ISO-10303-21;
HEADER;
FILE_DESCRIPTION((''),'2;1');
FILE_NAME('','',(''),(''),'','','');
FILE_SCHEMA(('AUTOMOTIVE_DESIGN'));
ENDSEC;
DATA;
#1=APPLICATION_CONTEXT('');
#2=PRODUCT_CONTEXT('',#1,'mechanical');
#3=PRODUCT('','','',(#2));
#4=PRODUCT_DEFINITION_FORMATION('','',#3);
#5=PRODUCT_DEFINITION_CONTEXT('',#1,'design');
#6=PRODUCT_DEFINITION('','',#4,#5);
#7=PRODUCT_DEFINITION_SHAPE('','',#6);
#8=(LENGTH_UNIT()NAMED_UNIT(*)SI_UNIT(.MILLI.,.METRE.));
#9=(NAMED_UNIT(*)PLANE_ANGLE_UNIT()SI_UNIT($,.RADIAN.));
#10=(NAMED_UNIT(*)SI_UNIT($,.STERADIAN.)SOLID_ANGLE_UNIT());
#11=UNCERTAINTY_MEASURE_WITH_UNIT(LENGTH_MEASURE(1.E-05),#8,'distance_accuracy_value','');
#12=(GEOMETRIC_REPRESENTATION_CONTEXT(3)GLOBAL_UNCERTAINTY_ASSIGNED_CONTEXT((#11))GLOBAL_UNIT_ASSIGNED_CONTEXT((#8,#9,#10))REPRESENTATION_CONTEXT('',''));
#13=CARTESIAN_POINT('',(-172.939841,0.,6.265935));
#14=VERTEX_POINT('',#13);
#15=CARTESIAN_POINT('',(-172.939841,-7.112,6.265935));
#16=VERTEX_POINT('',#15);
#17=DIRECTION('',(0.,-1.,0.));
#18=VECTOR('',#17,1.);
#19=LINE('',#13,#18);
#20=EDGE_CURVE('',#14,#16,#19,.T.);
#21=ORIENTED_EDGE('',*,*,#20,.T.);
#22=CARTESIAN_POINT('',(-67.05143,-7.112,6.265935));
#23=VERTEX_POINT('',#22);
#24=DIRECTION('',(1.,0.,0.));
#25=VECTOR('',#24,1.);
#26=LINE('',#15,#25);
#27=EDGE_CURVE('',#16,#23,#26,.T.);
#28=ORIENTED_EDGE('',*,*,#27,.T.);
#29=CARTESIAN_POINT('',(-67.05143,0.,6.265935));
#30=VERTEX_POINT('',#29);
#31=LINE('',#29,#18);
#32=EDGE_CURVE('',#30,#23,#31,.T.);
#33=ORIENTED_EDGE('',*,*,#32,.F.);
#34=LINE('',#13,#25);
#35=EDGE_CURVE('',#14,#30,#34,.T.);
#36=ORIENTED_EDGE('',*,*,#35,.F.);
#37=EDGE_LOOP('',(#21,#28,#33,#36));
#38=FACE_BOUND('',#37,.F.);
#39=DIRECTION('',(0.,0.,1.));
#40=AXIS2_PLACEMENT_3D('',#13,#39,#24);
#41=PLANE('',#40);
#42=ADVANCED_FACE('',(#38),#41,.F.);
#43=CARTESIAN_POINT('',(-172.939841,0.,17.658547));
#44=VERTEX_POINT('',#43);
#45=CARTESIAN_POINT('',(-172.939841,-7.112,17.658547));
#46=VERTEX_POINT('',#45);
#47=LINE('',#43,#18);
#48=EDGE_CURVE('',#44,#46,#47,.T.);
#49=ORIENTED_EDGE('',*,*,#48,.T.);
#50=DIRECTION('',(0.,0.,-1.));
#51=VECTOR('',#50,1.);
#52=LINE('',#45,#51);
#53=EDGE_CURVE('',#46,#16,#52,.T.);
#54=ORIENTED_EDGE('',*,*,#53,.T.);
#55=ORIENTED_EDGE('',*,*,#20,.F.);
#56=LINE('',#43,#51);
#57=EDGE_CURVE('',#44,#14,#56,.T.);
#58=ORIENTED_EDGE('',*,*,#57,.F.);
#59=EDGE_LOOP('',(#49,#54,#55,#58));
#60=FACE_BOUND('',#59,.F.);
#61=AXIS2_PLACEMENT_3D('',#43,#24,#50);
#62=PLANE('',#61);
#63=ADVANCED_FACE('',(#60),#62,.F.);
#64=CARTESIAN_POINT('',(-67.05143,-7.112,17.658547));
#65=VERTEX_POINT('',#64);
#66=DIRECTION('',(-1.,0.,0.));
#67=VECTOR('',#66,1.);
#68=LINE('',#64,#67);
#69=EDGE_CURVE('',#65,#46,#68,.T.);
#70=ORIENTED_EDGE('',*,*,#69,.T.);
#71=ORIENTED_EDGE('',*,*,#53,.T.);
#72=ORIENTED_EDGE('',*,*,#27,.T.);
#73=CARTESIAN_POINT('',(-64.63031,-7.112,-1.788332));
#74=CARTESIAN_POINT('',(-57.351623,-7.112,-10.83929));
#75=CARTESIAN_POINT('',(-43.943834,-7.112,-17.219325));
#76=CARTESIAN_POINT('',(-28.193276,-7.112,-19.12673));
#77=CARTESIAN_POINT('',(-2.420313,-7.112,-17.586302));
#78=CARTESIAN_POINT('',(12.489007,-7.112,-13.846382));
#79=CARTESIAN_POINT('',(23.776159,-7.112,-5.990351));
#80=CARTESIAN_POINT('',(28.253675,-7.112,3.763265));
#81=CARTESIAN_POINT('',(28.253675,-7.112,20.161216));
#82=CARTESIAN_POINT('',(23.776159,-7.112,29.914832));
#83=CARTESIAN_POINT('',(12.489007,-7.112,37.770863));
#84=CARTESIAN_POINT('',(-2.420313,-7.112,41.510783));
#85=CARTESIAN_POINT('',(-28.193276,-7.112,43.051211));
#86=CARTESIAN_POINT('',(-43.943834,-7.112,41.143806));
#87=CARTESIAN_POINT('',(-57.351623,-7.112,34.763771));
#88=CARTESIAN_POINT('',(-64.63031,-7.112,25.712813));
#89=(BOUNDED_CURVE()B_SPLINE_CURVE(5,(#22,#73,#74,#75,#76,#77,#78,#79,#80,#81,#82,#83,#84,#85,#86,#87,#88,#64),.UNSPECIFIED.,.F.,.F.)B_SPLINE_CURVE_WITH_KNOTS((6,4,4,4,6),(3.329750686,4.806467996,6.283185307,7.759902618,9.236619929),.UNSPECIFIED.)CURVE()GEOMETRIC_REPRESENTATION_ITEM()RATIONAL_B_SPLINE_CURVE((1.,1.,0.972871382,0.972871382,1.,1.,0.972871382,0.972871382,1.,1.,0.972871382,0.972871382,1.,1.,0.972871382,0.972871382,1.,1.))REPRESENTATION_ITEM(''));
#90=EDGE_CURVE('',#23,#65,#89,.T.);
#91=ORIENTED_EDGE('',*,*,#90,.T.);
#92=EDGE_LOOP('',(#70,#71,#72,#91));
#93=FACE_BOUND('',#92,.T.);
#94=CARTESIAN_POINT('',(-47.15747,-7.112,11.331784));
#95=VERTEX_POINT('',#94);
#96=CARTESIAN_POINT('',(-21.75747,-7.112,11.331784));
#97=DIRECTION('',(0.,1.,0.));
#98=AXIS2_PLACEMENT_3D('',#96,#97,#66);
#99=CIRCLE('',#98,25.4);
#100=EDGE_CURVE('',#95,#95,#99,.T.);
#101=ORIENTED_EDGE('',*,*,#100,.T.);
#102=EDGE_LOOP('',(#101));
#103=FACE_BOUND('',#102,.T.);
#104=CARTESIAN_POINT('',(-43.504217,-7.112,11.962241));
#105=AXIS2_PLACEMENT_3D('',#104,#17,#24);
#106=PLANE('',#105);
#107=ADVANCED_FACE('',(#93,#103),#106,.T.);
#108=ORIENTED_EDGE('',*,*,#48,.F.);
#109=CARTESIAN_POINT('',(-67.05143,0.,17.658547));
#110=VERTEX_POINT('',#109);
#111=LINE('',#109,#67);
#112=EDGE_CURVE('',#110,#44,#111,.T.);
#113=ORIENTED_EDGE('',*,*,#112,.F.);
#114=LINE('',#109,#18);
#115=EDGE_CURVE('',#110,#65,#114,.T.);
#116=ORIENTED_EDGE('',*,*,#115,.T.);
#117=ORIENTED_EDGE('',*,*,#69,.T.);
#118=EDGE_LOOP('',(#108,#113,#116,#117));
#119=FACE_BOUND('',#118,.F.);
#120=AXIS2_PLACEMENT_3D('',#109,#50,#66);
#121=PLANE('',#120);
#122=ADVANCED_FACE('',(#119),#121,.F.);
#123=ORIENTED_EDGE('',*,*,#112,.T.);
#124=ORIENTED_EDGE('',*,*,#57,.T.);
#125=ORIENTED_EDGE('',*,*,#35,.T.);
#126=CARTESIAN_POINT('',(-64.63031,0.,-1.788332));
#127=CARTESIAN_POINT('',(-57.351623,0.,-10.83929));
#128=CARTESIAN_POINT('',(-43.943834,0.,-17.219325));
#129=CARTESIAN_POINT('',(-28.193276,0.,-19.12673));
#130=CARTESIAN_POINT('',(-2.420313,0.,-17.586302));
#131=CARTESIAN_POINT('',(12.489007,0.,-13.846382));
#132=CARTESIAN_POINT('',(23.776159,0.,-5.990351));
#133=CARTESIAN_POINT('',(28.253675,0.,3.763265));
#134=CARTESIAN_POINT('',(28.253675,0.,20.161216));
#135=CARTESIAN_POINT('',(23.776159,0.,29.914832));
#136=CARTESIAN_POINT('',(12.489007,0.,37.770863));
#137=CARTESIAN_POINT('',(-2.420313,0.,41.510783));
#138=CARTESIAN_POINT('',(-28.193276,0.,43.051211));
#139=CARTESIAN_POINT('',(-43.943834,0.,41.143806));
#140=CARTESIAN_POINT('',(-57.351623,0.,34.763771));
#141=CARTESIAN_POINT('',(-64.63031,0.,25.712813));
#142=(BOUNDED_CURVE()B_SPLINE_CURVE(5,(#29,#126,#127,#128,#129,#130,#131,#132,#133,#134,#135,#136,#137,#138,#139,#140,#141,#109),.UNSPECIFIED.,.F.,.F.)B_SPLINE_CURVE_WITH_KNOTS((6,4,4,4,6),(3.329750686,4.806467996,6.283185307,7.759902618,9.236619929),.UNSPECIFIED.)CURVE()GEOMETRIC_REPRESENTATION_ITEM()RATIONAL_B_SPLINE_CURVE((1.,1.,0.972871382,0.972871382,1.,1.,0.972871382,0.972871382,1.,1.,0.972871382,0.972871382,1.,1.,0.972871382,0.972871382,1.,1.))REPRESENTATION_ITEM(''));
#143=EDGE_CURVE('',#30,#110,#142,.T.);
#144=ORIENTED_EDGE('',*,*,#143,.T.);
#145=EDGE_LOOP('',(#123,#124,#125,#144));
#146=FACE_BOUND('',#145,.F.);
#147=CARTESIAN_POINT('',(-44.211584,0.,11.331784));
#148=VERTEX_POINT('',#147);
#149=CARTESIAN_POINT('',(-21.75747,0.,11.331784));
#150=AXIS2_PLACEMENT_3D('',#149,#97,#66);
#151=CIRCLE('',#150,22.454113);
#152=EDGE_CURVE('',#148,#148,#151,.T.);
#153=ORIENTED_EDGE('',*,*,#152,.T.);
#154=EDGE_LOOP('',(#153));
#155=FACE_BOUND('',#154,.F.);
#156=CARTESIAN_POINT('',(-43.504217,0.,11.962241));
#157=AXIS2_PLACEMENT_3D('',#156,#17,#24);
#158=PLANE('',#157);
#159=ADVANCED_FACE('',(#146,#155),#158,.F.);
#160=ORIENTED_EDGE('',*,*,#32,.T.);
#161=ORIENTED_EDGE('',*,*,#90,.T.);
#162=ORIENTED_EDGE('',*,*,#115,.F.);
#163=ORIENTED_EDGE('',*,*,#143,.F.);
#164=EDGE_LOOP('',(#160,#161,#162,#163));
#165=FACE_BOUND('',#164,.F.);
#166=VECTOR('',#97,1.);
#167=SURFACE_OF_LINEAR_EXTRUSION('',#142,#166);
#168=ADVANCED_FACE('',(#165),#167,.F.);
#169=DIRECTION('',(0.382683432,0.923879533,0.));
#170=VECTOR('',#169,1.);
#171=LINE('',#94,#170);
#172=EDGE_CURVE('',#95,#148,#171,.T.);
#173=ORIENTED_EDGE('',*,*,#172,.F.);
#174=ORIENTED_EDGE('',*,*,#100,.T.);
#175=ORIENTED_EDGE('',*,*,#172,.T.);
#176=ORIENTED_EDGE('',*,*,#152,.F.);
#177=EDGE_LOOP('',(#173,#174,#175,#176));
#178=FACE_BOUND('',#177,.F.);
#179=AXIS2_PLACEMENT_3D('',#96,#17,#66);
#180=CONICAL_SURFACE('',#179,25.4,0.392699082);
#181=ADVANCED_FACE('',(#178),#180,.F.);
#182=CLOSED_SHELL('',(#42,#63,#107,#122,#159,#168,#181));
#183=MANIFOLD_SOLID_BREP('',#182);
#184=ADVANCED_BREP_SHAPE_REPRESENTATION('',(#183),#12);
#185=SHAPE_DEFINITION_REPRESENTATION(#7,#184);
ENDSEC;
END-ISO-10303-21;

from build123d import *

# Parameters (mm, degrees)
F1_DEPTH       = 7.112
F3_D           = 12.7
F3_CSINK_D     = 50.8
F3_CSINK_ANGLE = 45


with BuildPart() as f1:
    # F0 (on Front) → F1 (new body)
    with BuildSketch(Plane.XZ):
        with BuildLine():
            Line((-19.8231451213, 6.2659345567), (-19.8231451213, 17.658546567))
            Line((-19.8231451213, 17.658546567), (-67.0514300889, 17.658546567))
            add(Edge.make_bspline(
                [(-67.0514300889, 17.658546567), (-68.7637447466, 11.9622405618), (-67.0514300889, 6.2659345567)],
                knots=[2.9534346216, 2.9534346216, 2.9534346216, 3.3297506855, 3.3297506855, 3.3297506855], degree=2, weights=[1, 0.9823504411, 1]))
            Line((-67.0514300889, 6.2659345567), (-19.8231451213, 6.2659345567))
        make_face()
        with BuildLine():
            Line((-67.0514300889, 17.658546567), (-19.8231451213, 17.658546567))
            Line((-19.8231451213, 17.658546567), (-19.8231451213, 6.2659345567))
            Line((-19.8231451213, 6.2659345567), (-67.0514300889, 6.2659345567))
            add(Edge.make_bspline(
                [(-67.0514300889, 6.2659345567), (-58.8672632891, -20.9600885806), (-15.306794391, -18.3565159637), (28.2536745071, -15.7529433469), (28.2536745071, 11.9622405618)],
                knots=[3.3297506855, 3.3297506855, 3.3297506855, 4.8064679964, 4.8064679964, 6.2831853072, 6.2831853072, 6.2831853072], degree=2, weights=[1, 0.7395743023, 1, 0.7395743023, 1]))
            add(Edge.make_bspline(
                [(28.2536745071, 11.9622405618), (28.2536745071, 39.6774244706), (-15.306794391, 42.2809970874), (-58.8672632891, 44.8845697042), (-67.0514300889, 17.658546567)],
                knots=[0, 0, 0, 1.4767173108, 1.4767173108, 2.9534346216, 2.9534346216, 2.9534346216], degree=2, weights=[1, 0.7395743023, 1, 0.7395743023, 1]))
        make_face()
        with BuildLine():
            add(Edge.make_bspline(
                [(-67.0514300889, 17.658546567), (-68.7637447466, 11.9622405618), (-67.0514300889, 6.2659345567)],
                knots=[2.9534346216, 2.9534346216, 2.9534346216, 3.3297506855, 3.3297506855, 3.3297506855], degree=2, weights=[1, 0.9823504411, 1]))
            Line((-67.0514300889, 17.658546567), (-172.9398407042, 17.658546567))
            Line((-172.9398407042, 17.658546567), (-172.9398407042, 6.2659345567))
            Line((-172.9398407042, 6.2659345567), (-67.0514300889, 6.2659345567))
        make_face()
    extrude(amount=F1_DEPTH)

    # F3 (through all)
    with Locations(Plane.XZ.offset(7.112)):
        with Locations((-21.7574704438, 11.3317836076)):
            CounterSinkHole(F3_D / 2, F3_CSINK_D / 2, counter_sink_angle=F3_CSINK_ANGLE)


solid = f1.part
